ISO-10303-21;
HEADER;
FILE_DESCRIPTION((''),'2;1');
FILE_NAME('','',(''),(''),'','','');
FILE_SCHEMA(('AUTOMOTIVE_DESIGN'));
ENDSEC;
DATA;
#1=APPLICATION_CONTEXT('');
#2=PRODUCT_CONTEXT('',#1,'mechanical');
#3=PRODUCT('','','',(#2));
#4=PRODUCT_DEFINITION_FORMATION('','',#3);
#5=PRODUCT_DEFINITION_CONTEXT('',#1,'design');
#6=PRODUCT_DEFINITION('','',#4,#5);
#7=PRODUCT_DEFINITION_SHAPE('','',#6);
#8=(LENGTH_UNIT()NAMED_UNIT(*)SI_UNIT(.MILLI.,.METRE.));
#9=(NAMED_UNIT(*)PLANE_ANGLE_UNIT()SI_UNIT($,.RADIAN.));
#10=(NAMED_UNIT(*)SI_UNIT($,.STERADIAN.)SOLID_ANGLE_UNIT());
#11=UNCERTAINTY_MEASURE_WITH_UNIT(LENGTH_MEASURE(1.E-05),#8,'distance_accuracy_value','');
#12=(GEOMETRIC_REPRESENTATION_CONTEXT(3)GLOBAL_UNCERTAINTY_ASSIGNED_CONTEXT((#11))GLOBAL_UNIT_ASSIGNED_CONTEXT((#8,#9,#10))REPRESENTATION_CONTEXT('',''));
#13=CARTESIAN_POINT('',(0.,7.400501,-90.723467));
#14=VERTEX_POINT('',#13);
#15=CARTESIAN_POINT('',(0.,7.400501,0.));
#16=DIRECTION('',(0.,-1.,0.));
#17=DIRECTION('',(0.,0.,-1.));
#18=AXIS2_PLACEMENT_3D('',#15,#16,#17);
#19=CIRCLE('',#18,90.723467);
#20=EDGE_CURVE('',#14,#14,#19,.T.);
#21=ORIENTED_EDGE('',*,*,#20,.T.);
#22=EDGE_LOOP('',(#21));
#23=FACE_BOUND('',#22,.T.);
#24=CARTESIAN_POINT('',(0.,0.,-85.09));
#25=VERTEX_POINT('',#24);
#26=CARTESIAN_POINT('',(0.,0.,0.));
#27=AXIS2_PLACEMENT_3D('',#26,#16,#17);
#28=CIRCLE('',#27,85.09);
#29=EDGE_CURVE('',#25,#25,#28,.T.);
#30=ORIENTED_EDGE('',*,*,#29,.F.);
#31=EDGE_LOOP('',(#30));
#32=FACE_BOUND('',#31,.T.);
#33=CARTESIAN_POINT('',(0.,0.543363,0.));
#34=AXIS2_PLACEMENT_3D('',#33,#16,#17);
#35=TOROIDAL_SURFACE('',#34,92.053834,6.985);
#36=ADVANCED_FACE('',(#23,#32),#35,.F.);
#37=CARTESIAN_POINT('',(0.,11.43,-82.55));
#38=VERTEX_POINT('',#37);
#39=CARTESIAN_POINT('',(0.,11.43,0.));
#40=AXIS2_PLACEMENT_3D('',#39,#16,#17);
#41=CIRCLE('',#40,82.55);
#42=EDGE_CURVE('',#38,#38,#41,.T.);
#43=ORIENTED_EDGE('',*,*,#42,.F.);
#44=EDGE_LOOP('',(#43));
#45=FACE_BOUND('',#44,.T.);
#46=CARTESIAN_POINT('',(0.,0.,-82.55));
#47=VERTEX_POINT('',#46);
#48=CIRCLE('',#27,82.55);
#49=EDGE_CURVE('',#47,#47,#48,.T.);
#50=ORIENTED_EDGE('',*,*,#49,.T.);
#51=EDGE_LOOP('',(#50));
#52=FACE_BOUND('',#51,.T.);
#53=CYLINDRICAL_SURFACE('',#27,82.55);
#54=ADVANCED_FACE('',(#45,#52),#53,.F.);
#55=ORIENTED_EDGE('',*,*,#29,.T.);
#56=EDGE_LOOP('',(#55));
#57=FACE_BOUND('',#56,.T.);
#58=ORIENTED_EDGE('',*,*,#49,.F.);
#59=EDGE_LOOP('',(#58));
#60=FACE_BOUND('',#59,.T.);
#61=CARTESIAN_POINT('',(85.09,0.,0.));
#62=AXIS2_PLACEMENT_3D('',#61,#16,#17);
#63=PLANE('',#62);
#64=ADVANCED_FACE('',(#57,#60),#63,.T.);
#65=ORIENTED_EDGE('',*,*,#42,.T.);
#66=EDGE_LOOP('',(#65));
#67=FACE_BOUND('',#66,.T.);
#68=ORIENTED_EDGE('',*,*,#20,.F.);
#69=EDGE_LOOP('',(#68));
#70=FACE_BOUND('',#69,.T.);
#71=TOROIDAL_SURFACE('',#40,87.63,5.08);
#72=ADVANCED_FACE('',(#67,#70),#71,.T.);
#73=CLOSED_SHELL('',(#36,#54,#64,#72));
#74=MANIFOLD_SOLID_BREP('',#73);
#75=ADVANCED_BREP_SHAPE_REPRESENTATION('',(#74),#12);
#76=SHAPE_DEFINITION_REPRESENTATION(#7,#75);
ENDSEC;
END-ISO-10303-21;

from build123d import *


with BuildPart() as part:
    # Sketch1 → Revolve1 (revolve)
    with BuildSketch(Plane.XY, mode=Mode.PRIVATE) as revolve1_sk:
        with BuildLine():
            Line((82.55, 0), (82.55, 11.43))
            ThreePointArc((82.55, 11.43), (89.876284167, 15.986380959), (90.723467497, 7.400501415))
            ThreePointArc((90.723467497, 7.400501415), (86.495930059, 4.774193712), (85.09, 0))
            Line((85.09, 0), (82.55, 0))
        make_face()
    revolve(revolve1_sk.sketch.rotate(Axis((0, 0, 0), (0, 1, 0)), 90), axis=Axis((0, 0, 0), (0, 1, 0)))


solid = part.part
